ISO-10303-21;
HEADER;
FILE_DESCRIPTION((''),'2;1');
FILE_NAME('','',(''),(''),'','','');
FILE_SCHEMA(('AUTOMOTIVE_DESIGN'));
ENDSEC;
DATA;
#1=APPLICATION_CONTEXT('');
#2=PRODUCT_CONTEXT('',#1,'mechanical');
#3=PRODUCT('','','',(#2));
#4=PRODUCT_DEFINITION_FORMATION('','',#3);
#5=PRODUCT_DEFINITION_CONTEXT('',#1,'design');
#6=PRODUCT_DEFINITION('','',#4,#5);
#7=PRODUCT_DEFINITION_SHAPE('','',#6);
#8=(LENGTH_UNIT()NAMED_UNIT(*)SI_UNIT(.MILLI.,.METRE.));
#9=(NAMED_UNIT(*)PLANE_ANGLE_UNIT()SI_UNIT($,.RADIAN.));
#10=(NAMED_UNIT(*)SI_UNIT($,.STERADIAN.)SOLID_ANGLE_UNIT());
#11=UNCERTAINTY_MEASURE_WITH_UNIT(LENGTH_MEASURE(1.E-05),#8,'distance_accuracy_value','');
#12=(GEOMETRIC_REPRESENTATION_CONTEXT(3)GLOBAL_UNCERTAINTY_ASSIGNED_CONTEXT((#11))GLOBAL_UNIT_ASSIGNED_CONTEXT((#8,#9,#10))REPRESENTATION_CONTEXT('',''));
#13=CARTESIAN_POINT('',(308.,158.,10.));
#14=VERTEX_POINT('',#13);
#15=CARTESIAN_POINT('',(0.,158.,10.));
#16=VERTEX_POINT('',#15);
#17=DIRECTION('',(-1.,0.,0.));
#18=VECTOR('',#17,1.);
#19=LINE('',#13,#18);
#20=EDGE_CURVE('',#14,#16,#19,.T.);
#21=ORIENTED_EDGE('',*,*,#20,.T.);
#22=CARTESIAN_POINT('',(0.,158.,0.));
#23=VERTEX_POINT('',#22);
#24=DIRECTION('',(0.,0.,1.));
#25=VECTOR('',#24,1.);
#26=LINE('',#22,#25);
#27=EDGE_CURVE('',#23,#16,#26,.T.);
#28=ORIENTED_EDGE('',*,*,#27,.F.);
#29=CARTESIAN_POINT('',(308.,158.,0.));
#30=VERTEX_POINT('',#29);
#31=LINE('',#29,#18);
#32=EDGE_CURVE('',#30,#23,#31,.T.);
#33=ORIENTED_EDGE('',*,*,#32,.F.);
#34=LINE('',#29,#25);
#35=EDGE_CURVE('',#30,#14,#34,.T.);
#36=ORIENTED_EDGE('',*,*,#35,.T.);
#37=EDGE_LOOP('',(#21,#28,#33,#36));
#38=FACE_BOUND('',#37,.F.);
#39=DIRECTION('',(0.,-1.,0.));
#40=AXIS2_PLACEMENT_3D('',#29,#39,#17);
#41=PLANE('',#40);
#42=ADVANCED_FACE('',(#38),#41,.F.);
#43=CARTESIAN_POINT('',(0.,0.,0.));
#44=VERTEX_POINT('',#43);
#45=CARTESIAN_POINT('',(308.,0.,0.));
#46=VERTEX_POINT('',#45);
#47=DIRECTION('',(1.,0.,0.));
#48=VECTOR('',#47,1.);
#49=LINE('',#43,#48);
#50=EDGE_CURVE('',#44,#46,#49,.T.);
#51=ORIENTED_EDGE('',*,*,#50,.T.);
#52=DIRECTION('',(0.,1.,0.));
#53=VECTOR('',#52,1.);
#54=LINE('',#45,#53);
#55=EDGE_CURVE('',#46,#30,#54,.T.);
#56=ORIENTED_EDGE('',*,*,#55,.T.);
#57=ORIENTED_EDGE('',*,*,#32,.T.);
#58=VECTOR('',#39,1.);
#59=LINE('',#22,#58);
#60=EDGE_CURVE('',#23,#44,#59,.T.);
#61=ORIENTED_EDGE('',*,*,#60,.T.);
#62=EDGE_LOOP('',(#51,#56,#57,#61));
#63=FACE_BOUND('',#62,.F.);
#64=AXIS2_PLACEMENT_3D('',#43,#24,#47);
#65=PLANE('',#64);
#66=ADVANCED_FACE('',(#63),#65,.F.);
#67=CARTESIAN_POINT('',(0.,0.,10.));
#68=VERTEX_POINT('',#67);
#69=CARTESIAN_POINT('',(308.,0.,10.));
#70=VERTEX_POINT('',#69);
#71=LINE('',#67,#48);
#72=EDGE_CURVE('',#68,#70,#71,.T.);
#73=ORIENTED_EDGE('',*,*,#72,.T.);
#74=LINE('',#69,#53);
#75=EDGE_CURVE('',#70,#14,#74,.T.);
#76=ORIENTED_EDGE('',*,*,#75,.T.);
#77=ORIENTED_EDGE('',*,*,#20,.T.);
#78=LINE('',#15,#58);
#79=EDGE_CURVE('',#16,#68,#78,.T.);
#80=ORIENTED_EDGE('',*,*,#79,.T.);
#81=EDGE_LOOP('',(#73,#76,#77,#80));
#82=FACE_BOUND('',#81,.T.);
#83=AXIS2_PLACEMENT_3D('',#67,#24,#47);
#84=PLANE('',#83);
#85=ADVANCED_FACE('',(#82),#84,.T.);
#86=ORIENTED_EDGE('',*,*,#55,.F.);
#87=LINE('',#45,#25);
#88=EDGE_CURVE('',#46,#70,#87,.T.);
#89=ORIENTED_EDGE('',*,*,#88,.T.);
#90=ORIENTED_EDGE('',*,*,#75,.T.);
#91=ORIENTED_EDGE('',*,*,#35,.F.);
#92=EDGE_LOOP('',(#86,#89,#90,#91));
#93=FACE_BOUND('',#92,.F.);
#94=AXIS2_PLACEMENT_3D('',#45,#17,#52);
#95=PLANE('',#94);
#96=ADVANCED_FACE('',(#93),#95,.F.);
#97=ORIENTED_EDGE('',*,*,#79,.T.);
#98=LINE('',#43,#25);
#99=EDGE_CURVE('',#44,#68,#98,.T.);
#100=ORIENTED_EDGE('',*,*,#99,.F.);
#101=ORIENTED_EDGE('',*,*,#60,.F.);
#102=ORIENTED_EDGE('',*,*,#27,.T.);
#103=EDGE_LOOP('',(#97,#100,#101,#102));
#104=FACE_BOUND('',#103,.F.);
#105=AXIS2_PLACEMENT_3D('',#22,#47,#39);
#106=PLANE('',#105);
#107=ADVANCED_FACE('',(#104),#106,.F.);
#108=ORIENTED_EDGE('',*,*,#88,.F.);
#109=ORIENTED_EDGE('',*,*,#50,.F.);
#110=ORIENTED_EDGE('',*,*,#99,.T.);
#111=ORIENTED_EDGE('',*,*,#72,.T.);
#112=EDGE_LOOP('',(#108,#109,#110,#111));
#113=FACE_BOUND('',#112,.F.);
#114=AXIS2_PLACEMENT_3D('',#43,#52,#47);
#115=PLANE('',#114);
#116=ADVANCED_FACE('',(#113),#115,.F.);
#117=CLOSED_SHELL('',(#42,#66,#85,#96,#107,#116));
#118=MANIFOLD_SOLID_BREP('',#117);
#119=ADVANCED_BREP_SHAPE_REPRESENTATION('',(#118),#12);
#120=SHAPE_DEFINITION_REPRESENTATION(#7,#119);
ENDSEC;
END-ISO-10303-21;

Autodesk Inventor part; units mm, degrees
ref_plane "YZ Plane" through (0, 0, 0) normal (1, 0, 0) x (0, 1, 0)
ref_plane "XZ Plane" through (0, 0, 0) normal (0, 1, 0) x (-1, 0, 0)
ref_plane "XY Plane" through (0, 0, 0) normal (0, 0, 1) x (1, 0, 0)
sketch "Sketch1" plane through (0, 0, 0) normal (0, 0, 1) x (1, 0, 0)
  line L0 (0, 0) -> (308, 0)
  line L1 (308, 0) -> (308, 158)
  line L2 (308, 158) -> (0, 158)
  line L3 (0, 158) -> (0, 0)
  dimension "d0" = 308
  dimension "d1" = 158
extrude "Extrusion1" add sketch "Sketch1" along normal blind 10
properties part number "TA003" material "ABS Plastic"
